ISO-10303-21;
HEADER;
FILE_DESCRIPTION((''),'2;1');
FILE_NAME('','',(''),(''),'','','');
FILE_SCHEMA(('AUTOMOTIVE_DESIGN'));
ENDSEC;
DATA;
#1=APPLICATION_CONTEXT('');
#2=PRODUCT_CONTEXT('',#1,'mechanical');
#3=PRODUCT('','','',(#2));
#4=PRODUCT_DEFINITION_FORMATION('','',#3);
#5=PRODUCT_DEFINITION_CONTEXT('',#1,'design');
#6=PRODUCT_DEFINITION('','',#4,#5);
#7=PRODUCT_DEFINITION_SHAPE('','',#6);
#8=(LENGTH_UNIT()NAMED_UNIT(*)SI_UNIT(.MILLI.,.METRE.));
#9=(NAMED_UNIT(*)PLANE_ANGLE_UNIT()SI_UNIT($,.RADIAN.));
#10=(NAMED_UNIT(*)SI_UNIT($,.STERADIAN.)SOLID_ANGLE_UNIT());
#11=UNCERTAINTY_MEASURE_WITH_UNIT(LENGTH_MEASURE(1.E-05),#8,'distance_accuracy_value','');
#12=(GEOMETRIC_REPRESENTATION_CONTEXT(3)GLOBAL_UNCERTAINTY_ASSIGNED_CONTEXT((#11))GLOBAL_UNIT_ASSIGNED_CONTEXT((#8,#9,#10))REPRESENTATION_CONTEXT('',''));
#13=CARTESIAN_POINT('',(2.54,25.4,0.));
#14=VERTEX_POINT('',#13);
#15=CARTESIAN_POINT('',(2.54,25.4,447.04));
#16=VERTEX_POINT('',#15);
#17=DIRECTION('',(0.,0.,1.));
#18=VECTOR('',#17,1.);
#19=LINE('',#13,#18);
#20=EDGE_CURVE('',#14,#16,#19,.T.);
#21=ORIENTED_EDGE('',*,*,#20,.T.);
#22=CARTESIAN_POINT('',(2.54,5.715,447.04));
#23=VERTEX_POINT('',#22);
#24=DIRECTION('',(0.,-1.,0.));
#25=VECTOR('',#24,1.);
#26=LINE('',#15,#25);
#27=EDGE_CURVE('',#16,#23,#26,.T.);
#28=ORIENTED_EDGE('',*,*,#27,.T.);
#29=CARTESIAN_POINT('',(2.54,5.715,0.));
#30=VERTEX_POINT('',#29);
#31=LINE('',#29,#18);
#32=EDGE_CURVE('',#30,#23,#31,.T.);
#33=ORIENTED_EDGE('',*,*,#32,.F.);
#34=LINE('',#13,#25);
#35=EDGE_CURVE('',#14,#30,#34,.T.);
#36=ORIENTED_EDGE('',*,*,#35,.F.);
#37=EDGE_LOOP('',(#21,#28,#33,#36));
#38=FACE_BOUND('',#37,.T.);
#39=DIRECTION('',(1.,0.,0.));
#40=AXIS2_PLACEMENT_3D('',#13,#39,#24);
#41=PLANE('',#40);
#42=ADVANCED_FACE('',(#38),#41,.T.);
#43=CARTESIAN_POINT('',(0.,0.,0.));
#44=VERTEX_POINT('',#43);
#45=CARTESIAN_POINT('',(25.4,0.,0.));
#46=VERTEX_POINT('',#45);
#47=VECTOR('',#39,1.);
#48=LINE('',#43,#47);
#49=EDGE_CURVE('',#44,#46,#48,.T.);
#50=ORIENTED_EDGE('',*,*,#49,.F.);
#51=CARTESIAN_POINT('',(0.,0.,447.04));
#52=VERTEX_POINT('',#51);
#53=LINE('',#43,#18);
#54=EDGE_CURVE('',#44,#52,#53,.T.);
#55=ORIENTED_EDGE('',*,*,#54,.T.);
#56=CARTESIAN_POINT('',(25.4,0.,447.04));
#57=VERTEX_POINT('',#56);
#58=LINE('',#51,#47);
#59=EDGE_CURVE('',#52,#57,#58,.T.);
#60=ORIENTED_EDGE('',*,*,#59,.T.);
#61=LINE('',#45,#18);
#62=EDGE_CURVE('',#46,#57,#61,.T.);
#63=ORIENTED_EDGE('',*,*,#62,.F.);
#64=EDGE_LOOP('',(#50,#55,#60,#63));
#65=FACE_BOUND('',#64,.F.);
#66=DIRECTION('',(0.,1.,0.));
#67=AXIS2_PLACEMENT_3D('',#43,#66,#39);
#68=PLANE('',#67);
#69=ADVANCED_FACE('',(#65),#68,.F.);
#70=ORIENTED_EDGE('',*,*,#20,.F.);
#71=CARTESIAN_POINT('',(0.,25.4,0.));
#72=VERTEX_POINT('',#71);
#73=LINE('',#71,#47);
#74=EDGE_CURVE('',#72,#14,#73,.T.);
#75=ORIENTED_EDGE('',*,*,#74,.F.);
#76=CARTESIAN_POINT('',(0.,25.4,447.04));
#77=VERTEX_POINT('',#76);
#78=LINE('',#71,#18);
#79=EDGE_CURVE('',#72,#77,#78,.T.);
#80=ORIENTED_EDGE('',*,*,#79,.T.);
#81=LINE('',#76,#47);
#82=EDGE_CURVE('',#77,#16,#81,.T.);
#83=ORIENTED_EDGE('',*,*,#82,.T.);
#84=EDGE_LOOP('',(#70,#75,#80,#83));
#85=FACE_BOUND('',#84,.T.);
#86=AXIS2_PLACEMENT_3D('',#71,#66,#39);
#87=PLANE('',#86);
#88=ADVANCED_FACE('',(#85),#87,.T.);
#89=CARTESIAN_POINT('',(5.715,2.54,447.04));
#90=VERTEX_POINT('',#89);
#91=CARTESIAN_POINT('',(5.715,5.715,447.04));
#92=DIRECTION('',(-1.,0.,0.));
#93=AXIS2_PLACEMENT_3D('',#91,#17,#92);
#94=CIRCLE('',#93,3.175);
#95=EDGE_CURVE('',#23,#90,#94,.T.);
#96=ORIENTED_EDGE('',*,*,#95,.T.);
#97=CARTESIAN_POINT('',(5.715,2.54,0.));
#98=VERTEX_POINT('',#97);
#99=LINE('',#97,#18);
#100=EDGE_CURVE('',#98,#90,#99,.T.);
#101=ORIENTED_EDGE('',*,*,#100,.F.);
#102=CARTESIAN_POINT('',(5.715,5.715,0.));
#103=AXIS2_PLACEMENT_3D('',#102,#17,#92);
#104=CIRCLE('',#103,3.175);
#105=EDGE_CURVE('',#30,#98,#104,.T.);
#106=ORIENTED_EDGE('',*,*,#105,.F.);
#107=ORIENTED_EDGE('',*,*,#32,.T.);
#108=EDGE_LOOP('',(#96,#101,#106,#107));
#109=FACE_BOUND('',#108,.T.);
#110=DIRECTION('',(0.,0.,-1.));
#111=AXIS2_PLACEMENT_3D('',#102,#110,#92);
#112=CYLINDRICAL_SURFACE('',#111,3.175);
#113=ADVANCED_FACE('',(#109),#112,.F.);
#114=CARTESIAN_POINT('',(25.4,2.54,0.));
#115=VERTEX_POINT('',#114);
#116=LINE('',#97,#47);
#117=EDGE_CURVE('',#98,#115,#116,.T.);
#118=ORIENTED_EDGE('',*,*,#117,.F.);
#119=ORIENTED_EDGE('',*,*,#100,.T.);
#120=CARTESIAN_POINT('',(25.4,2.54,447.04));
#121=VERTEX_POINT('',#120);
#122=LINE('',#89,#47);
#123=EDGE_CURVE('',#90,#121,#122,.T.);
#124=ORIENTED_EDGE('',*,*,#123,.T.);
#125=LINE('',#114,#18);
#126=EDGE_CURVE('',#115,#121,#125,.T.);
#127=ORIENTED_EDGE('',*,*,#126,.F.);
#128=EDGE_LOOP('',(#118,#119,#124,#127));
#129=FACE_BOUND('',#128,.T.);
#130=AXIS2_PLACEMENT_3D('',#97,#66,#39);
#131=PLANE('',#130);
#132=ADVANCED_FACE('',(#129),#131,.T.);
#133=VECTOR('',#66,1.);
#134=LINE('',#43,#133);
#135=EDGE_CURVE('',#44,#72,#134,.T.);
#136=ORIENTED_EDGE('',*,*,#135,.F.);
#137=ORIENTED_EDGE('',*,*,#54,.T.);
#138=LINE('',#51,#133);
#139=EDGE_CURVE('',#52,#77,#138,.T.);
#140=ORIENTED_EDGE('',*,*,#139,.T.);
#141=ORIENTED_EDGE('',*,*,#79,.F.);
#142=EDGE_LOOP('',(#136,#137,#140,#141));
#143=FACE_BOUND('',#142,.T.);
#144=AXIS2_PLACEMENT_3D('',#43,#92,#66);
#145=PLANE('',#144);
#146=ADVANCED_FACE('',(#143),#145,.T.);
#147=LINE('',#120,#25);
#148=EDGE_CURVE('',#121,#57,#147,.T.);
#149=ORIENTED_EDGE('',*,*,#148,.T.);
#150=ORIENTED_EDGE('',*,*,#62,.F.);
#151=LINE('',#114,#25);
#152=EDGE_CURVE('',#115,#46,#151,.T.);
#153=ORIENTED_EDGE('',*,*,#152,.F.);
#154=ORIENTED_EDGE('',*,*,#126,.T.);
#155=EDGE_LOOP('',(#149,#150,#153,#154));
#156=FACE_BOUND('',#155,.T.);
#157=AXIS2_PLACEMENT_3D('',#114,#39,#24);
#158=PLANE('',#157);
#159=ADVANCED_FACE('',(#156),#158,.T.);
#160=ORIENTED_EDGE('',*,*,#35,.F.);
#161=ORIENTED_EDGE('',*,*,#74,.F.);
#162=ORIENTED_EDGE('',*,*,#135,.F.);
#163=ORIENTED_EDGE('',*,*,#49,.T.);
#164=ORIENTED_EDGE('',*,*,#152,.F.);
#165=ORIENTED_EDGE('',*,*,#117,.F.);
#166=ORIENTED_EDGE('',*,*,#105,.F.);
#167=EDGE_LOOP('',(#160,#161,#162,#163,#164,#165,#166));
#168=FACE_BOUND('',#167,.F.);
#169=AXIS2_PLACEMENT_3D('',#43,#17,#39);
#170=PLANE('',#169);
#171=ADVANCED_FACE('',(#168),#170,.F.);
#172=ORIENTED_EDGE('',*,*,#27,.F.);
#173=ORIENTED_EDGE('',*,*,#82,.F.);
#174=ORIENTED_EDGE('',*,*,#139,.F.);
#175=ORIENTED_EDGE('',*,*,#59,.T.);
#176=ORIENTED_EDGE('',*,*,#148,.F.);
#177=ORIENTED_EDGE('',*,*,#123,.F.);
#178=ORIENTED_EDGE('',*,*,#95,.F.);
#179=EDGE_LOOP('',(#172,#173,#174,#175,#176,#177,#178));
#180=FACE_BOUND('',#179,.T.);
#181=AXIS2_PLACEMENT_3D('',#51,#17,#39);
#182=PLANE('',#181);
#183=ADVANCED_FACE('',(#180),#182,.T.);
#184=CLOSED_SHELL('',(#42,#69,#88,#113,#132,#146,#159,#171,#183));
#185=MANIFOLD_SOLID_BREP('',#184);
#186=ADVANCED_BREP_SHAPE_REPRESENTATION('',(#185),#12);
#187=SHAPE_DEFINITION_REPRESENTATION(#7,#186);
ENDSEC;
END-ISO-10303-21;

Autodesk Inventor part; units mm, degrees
ref_plane "YZ Plane" through (0, 0, 0) normal (1, 0, 0) x (0, 1, 0)
ref_plane "XZ Plane" through (0, 0, 0) normal (0, 1, 0) x (-1, 0, 0)
ref_plane "XY Plane" through (0, 0, 0) normal (0, 0, 1) x (1, 0, 0)
sketch "Sketch1" plane through (0, 0, 0) normal (0, 0, 1) x (1, 0, 0)
  line L0 (0, 0) -> (0, 25.4)
  line L1 (0, 0) -> (25.4, 0)
  line L2 (2.54, 25.4) -> (2.54, 5.715)
  line L3 (5.715, 2.54) -> (25.4, 2.54)
  arc A0 (2.54, 5.715) -> (5.715, 2.54) centre (5.715, 5.715) ccw
  line L4 (0, 25.4) -> (2.54, 25.4)
  line L5 (25.4, 2.54) -> (25.4, 0)
  dimension "d0" = 25.4
  dimension "d1" = 25.4
  dimension "d2" = 2.54
  dimension "d3" = 3.175
extrude "Extrusion1" add sketch "Sketch1" along normal blind 447.04
equation "\"d0\" = hubAngleWidth1"
equation "\"d1\" = hubAngleWidth2"
equation "\"d2\" = hubAngleThickness"
equation "\"d3\" = 1.25 * hubAngleThickness"
equation "\"hubAngleThickness\" = 2.54"
equation "\"hubAngleWidth1\" = 25.4"
equation "\"hubAngleWidth2\" = 25.4"
equation "\"hubOuterDiam\" = 914.4"
equation "\"hubInnerDiam\" = 0.5 * hubOuterDiam"
equation "\"hubRingThickness\" = 1.524"
properties part number "hubRingJigOuter"
